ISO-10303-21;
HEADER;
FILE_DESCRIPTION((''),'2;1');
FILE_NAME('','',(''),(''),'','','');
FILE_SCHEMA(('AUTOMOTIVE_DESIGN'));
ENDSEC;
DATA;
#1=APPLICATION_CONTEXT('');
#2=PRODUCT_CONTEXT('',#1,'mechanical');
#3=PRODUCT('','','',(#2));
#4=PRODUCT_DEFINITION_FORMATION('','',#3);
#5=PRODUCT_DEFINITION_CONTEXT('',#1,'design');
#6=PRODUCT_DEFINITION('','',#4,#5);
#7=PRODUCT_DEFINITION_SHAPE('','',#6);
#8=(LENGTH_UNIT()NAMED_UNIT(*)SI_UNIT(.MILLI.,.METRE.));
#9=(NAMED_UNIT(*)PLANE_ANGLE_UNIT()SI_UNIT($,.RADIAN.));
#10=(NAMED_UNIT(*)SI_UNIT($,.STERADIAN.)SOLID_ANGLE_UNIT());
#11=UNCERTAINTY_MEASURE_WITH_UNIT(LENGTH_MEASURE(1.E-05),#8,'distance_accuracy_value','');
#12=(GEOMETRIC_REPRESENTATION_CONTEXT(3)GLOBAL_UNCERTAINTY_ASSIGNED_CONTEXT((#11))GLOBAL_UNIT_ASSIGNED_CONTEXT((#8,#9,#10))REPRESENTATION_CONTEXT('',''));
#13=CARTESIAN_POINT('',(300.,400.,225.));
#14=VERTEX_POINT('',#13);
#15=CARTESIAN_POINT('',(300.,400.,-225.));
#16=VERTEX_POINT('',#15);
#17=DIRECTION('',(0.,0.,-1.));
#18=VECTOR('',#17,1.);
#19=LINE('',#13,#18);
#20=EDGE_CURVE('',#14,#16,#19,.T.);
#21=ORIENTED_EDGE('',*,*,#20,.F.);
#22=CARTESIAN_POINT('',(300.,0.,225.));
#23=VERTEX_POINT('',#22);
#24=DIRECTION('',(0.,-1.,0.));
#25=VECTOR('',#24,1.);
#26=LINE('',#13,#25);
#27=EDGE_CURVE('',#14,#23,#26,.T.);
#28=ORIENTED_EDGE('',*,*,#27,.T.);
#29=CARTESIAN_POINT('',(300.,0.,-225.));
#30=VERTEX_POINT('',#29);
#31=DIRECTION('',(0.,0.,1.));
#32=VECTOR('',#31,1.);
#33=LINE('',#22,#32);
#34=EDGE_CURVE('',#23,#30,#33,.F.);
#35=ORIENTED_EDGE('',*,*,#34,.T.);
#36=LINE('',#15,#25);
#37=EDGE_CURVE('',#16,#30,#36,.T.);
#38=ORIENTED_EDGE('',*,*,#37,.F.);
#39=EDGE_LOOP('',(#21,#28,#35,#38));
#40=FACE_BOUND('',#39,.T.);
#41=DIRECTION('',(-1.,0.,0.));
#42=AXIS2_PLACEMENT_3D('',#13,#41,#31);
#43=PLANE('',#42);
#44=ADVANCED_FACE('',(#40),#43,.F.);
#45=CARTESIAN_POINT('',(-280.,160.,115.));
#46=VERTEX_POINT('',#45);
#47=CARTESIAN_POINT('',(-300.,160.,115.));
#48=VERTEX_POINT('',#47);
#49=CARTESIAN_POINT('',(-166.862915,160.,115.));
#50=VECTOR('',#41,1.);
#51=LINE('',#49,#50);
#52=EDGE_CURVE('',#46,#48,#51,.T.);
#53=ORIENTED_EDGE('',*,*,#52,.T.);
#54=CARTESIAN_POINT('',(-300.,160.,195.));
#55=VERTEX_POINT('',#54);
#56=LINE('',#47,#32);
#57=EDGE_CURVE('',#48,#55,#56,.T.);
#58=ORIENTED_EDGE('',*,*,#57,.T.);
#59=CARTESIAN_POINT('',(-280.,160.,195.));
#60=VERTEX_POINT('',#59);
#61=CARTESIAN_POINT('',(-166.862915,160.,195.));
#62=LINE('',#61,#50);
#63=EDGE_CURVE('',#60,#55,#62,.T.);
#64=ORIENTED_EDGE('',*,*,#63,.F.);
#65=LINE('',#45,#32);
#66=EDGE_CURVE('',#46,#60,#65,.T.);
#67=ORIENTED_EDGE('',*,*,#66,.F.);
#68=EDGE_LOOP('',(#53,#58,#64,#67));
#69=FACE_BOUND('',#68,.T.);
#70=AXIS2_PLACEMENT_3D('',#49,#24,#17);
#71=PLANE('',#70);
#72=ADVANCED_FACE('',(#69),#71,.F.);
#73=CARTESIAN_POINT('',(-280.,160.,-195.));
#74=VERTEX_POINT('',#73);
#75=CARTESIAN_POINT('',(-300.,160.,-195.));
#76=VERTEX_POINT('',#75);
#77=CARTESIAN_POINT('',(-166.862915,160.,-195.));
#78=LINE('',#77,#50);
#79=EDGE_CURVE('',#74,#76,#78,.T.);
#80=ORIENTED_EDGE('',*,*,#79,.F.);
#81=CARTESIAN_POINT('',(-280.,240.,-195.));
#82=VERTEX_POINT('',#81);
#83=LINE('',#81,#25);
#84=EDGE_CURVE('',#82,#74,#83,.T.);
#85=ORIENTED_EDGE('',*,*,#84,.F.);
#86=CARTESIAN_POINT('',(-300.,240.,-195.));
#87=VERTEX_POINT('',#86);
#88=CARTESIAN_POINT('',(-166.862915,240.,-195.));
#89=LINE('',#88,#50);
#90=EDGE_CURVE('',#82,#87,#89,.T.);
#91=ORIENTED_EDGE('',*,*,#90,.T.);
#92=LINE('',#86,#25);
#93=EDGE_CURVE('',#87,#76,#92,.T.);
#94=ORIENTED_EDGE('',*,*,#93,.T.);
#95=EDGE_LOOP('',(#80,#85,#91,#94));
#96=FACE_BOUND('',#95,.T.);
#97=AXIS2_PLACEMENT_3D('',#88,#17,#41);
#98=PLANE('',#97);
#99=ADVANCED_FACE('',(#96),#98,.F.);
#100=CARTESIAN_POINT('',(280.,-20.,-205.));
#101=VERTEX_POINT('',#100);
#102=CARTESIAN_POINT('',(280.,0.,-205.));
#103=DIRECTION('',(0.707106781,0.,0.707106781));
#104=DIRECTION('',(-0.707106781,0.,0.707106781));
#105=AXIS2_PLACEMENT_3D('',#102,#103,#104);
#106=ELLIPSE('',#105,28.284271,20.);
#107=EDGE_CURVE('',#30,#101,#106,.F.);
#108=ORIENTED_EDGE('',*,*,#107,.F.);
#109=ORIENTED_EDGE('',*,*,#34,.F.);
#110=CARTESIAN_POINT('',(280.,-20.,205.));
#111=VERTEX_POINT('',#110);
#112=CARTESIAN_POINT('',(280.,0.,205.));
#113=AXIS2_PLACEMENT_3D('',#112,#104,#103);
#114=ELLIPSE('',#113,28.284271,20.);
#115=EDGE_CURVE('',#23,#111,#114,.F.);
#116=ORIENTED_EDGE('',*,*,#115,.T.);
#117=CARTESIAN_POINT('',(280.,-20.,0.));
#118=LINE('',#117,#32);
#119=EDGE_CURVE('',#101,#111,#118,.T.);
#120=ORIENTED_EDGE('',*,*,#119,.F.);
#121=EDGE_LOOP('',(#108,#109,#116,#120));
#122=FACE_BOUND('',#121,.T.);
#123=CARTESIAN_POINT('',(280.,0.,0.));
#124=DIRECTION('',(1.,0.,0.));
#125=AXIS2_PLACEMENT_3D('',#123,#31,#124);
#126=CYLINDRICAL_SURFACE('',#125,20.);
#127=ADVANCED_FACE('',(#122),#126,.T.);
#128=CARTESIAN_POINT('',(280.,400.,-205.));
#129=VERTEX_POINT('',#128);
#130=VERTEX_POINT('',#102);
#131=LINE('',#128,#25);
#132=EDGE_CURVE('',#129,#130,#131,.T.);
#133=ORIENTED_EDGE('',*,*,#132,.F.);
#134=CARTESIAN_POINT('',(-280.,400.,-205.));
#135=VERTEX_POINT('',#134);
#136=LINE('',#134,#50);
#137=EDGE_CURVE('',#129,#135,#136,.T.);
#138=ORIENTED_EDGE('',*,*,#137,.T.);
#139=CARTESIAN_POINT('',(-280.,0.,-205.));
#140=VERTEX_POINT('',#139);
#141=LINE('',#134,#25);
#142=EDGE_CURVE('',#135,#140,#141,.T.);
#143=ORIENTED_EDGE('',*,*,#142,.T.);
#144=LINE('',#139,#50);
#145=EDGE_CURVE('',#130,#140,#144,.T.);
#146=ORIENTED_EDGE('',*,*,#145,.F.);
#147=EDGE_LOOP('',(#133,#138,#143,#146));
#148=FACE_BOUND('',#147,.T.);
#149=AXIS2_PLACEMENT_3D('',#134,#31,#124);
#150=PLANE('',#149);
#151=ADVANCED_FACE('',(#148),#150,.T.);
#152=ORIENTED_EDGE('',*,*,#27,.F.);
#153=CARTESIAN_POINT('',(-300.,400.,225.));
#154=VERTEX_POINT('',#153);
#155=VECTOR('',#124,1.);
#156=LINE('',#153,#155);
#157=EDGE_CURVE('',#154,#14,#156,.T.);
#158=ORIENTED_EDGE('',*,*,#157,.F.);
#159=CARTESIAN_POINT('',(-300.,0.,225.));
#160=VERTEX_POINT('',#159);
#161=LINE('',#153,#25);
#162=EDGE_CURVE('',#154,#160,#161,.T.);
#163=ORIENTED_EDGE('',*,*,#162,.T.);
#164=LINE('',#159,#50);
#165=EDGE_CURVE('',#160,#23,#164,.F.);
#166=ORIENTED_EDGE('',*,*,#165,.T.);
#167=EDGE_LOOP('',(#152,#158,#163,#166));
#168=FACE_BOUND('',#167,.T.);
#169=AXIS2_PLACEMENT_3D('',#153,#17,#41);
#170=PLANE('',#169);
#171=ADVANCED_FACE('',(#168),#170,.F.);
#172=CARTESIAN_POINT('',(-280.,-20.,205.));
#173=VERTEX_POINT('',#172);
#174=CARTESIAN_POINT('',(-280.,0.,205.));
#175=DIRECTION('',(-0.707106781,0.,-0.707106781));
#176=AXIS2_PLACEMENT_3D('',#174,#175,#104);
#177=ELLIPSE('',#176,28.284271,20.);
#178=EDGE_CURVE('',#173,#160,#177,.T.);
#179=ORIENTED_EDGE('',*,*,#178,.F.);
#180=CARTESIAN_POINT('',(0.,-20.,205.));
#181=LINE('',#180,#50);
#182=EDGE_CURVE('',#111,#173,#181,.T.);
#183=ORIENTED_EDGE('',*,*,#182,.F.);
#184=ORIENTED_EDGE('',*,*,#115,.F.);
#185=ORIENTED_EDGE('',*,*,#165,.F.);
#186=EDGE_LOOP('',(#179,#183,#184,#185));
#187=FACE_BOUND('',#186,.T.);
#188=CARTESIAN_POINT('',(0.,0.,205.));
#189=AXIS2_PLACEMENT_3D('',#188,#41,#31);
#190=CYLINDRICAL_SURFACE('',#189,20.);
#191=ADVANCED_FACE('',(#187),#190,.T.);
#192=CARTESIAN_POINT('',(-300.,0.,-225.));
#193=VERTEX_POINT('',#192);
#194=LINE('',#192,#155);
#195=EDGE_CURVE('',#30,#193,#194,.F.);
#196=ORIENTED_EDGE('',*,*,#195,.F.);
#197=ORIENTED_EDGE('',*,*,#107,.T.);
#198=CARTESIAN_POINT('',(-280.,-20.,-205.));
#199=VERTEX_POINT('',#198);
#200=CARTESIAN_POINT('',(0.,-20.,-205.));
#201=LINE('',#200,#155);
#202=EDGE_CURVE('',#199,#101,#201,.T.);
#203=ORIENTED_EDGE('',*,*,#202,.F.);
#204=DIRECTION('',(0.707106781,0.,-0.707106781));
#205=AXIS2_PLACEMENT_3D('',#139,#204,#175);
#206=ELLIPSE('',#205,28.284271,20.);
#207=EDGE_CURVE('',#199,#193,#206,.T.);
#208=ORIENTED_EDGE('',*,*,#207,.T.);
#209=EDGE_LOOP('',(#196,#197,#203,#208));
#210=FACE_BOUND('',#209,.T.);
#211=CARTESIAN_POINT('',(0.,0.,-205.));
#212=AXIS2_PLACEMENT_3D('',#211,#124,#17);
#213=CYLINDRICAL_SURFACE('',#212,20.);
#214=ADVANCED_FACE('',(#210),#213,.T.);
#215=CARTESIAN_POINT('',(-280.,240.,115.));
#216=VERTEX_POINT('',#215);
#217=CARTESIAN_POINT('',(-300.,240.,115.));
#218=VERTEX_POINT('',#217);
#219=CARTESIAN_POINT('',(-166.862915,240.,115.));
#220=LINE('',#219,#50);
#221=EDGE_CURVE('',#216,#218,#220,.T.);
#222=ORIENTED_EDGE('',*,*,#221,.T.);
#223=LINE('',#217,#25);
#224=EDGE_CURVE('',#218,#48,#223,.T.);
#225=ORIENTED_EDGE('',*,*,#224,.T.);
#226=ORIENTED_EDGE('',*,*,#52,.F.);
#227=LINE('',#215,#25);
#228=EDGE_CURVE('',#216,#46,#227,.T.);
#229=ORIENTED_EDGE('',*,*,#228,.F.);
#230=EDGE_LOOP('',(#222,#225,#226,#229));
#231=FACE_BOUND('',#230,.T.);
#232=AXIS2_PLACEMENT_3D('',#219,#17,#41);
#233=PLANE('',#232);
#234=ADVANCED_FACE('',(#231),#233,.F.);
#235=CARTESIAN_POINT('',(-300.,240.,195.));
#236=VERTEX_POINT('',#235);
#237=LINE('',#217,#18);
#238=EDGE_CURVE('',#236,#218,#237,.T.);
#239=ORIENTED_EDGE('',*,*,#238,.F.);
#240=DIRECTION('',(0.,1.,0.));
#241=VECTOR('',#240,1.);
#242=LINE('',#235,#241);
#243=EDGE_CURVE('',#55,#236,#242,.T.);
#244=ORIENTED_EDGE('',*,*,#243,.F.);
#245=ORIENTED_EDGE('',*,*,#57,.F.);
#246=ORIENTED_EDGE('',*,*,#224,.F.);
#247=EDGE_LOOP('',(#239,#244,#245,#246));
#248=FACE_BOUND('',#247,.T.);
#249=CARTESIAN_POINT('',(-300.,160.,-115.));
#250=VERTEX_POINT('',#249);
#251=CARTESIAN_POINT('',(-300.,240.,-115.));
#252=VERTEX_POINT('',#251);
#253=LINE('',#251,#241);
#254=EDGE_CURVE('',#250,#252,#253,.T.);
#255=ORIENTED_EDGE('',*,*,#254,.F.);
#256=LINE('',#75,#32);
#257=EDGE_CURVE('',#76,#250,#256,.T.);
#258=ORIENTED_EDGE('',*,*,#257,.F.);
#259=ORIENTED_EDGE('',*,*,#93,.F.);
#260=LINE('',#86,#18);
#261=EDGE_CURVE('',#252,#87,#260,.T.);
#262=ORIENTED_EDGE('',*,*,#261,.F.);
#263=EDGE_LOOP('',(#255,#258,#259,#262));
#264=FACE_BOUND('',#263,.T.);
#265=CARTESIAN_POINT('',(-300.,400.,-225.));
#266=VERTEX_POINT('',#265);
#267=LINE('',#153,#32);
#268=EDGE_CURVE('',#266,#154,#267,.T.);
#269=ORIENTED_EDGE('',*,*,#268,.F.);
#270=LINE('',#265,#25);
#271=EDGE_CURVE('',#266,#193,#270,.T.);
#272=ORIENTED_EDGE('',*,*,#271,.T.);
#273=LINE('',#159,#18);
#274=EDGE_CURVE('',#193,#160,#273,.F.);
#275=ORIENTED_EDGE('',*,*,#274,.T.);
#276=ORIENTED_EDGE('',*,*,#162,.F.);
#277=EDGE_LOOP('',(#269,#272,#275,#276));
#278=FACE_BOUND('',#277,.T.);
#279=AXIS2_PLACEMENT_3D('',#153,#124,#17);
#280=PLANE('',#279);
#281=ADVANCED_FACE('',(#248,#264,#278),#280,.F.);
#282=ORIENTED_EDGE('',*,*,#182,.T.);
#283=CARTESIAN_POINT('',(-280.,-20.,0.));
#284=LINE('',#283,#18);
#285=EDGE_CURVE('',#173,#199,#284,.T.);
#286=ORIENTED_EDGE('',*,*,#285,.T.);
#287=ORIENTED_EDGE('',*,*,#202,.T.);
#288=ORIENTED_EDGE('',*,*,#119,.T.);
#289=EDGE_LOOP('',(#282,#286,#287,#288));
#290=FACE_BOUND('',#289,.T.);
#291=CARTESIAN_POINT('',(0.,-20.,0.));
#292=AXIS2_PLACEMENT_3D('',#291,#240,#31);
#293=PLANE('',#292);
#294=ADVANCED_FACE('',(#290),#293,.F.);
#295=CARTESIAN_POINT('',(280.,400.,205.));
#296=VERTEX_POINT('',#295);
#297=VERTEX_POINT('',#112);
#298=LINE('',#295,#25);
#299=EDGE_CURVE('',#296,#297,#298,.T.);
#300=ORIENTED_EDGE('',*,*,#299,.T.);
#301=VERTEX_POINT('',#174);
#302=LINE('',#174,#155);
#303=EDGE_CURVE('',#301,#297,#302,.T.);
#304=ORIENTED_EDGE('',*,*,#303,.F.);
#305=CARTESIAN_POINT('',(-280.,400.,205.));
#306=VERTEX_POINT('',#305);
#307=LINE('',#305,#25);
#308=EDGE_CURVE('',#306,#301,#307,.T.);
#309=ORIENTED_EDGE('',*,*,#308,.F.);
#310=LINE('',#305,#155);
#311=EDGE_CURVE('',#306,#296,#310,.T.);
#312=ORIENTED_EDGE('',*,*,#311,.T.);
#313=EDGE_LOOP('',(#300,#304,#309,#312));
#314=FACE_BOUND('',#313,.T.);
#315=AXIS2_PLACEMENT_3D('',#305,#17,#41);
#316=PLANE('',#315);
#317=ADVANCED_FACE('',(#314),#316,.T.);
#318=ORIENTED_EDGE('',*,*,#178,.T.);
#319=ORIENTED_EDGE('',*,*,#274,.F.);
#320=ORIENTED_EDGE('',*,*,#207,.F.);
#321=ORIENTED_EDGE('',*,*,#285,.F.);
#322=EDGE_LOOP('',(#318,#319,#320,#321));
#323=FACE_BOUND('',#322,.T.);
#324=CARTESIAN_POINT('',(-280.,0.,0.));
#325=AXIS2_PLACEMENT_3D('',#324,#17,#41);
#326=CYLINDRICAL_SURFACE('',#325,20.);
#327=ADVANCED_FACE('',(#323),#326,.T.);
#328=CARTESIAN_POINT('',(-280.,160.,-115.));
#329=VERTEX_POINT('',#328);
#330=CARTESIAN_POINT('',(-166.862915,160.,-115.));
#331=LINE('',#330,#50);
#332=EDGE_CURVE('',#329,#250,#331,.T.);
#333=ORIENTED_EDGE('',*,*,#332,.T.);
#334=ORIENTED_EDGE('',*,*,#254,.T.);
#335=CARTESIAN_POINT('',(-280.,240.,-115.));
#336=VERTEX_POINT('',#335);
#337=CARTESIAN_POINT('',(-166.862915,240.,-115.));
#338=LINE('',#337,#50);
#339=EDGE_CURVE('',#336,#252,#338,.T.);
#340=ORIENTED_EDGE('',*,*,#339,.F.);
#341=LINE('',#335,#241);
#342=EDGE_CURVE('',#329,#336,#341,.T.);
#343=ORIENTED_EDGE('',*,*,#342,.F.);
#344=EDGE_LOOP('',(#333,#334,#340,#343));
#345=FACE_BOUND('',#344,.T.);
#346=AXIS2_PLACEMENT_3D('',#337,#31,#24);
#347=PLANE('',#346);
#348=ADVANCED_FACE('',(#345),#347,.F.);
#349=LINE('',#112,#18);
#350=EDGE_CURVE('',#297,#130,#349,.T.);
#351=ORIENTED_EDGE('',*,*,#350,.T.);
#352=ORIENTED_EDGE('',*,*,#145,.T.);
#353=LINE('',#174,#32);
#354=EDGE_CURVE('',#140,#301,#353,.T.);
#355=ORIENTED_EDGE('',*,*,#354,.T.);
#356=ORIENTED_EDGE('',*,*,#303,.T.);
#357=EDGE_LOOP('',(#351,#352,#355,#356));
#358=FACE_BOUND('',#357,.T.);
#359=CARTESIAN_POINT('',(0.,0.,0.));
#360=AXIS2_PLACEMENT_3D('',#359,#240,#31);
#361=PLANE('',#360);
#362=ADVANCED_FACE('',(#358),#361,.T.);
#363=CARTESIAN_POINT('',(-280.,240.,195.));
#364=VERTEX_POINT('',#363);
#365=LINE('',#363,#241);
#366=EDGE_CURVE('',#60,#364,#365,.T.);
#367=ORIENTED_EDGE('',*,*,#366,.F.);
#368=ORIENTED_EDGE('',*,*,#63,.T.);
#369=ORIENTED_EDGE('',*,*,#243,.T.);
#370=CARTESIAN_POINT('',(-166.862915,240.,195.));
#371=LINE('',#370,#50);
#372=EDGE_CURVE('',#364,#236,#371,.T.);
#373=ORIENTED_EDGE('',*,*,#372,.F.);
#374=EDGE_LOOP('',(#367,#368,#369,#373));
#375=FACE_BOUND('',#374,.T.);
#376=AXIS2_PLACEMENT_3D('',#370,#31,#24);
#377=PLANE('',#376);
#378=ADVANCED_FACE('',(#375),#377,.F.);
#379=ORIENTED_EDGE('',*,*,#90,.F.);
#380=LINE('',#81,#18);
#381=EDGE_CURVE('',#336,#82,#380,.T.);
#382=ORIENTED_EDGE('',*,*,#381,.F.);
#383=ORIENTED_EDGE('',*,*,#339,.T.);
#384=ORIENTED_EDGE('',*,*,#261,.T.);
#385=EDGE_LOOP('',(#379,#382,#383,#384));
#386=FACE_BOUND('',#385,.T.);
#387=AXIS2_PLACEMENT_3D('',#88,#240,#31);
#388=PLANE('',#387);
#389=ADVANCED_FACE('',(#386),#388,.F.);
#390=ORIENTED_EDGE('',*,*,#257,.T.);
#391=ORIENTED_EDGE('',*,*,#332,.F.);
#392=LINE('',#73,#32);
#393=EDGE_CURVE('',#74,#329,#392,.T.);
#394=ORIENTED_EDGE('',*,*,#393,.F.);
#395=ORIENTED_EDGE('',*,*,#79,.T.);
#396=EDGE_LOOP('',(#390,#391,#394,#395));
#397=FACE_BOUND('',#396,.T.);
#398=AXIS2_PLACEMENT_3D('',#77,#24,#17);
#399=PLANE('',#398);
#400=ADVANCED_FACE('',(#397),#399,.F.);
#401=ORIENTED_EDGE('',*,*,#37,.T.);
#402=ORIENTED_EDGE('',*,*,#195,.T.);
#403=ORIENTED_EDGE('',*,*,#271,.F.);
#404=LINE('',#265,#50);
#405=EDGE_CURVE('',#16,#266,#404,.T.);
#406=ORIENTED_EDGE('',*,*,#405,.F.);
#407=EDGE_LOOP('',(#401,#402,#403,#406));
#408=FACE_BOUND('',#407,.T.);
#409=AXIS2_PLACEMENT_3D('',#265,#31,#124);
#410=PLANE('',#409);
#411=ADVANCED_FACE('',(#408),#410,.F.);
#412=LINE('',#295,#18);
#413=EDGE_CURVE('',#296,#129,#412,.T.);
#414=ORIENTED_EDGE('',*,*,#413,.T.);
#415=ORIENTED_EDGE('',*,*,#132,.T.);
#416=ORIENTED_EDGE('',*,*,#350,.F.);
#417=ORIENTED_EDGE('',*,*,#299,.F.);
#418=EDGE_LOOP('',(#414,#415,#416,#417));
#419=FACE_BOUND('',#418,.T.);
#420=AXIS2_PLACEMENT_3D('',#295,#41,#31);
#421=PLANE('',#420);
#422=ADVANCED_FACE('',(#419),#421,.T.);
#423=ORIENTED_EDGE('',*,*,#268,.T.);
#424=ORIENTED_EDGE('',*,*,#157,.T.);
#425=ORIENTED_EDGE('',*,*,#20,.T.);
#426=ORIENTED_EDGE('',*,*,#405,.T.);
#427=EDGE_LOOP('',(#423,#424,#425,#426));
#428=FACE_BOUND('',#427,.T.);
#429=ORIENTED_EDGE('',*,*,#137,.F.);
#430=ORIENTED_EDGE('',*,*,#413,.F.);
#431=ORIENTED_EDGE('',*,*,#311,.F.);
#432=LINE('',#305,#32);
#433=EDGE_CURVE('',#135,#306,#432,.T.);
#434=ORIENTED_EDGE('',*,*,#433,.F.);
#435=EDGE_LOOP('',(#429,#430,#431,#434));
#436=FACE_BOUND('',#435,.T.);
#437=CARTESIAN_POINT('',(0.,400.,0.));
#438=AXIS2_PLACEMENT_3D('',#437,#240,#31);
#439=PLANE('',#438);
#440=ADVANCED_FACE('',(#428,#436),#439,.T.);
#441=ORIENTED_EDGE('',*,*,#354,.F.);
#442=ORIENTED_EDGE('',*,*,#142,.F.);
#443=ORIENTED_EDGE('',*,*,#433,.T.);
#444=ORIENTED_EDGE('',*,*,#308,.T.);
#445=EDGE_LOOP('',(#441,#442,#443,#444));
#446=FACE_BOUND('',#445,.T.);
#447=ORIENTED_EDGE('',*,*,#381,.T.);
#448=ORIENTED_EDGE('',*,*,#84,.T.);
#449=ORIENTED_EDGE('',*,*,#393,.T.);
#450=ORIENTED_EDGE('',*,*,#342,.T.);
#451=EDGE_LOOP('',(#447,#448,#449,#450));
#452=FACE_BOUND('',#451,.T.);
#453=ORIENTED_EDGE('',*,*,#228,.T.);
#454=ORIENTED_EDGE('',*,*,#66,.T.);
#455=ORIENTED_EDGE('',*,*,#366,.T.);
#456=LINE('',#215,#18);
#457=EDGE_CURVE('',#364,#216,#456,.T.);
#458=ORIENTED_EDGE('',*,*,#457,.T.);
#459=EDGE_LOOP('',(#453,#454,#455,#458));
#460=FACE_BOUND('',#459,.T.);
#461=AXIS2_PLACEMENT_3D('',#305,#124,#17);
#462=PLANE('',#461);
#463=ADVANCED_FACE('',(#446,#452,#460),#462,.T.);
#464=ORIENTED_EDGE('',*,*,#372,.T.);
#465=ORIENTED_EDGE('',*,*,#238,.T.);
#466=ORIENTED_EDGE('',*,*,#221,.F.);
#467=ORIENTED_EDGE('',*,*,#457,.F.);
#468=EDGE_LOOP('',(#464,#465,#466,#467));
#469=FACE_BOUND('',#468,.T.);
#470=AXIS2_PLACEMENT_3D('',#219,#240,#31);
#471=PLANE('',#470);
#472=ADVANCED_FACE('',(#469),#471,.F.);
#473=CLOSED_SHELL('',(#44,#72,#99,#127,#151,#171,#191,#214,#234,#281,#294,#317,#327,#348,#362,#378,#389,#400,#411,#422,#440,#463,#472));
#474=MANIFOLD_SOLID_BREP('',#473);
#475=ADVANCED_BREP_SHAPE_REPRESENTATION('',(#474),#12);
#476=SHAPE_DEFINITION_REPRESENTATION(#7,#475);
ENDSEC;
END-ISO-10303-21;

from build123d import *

# Parameters (mm, degrees)
SKETCH1_W           = 600
SKETCH1_H           = 450
SKETCH1_W_2         = 560
SKETCH1_H_2         = 410
BOSS_EXTRUDE1_DEPTH = 400
SKETCH2_W           = 600
SKETCH2_H           = 450
BOSS_EXTRUDE2_DEPTH = 20
FILLET1_R           = 20
SKETCH8_W           = 80
SKETCH8_H           = 80
CUT_EXTRUDE3_DEPTH  = 20


with BuildPart() as part:
    # Sketch1 → Boss-Extrude1 (new body)
    with BuildSketch(Plane(origin=(0, 0, 0), x_dir=(1, 0, 0), z_dir=(0, 1, 0))):
        Rectangle(SKETCH1_W, SKETCH1_H)
        Rectangle(SKETCH1_W_2, SKETCH1_H_2, mode=Mode.SUBTRACT)
    extrude(amount=BOSS_EXTRUDE1_DEPTH)

    # Sketch2 → Boss-Extrude2 (add)
    with BuildSketch(Plane.XZ):
        Rectangle(SKETCH2_W, SKETCH2_H)
    extrude(amount=BOSS_EXTRUDE2_DEPTH)

    # Fillet1
    fillet1_edges = [part.edges().sort_by_distance(p)[0] for p in [
        (300, -20, 0),
        (0, -20, 225),
        (-300, -20, 0),
        (0, -20, -225),
    ]]
    fillet(fillet1_edges, radius=FILLET1_R)

    # Sketch8 → Cut-Extrude3 (cut)
    with BuildSketch(Plane.ZY.offset(300)):
        with Locations((155, 200)):
            Rectangle(SKETCH8_W, SKETCH8_H)
        with Locations((-155, 200)):
            Rectangle(SKETCH8_W, SKETCH8_H)
    extrude(amount=-CUT_EXTRUDE3_DEPTH, mode=Mode.SUBTRACT)


solid = part.part
